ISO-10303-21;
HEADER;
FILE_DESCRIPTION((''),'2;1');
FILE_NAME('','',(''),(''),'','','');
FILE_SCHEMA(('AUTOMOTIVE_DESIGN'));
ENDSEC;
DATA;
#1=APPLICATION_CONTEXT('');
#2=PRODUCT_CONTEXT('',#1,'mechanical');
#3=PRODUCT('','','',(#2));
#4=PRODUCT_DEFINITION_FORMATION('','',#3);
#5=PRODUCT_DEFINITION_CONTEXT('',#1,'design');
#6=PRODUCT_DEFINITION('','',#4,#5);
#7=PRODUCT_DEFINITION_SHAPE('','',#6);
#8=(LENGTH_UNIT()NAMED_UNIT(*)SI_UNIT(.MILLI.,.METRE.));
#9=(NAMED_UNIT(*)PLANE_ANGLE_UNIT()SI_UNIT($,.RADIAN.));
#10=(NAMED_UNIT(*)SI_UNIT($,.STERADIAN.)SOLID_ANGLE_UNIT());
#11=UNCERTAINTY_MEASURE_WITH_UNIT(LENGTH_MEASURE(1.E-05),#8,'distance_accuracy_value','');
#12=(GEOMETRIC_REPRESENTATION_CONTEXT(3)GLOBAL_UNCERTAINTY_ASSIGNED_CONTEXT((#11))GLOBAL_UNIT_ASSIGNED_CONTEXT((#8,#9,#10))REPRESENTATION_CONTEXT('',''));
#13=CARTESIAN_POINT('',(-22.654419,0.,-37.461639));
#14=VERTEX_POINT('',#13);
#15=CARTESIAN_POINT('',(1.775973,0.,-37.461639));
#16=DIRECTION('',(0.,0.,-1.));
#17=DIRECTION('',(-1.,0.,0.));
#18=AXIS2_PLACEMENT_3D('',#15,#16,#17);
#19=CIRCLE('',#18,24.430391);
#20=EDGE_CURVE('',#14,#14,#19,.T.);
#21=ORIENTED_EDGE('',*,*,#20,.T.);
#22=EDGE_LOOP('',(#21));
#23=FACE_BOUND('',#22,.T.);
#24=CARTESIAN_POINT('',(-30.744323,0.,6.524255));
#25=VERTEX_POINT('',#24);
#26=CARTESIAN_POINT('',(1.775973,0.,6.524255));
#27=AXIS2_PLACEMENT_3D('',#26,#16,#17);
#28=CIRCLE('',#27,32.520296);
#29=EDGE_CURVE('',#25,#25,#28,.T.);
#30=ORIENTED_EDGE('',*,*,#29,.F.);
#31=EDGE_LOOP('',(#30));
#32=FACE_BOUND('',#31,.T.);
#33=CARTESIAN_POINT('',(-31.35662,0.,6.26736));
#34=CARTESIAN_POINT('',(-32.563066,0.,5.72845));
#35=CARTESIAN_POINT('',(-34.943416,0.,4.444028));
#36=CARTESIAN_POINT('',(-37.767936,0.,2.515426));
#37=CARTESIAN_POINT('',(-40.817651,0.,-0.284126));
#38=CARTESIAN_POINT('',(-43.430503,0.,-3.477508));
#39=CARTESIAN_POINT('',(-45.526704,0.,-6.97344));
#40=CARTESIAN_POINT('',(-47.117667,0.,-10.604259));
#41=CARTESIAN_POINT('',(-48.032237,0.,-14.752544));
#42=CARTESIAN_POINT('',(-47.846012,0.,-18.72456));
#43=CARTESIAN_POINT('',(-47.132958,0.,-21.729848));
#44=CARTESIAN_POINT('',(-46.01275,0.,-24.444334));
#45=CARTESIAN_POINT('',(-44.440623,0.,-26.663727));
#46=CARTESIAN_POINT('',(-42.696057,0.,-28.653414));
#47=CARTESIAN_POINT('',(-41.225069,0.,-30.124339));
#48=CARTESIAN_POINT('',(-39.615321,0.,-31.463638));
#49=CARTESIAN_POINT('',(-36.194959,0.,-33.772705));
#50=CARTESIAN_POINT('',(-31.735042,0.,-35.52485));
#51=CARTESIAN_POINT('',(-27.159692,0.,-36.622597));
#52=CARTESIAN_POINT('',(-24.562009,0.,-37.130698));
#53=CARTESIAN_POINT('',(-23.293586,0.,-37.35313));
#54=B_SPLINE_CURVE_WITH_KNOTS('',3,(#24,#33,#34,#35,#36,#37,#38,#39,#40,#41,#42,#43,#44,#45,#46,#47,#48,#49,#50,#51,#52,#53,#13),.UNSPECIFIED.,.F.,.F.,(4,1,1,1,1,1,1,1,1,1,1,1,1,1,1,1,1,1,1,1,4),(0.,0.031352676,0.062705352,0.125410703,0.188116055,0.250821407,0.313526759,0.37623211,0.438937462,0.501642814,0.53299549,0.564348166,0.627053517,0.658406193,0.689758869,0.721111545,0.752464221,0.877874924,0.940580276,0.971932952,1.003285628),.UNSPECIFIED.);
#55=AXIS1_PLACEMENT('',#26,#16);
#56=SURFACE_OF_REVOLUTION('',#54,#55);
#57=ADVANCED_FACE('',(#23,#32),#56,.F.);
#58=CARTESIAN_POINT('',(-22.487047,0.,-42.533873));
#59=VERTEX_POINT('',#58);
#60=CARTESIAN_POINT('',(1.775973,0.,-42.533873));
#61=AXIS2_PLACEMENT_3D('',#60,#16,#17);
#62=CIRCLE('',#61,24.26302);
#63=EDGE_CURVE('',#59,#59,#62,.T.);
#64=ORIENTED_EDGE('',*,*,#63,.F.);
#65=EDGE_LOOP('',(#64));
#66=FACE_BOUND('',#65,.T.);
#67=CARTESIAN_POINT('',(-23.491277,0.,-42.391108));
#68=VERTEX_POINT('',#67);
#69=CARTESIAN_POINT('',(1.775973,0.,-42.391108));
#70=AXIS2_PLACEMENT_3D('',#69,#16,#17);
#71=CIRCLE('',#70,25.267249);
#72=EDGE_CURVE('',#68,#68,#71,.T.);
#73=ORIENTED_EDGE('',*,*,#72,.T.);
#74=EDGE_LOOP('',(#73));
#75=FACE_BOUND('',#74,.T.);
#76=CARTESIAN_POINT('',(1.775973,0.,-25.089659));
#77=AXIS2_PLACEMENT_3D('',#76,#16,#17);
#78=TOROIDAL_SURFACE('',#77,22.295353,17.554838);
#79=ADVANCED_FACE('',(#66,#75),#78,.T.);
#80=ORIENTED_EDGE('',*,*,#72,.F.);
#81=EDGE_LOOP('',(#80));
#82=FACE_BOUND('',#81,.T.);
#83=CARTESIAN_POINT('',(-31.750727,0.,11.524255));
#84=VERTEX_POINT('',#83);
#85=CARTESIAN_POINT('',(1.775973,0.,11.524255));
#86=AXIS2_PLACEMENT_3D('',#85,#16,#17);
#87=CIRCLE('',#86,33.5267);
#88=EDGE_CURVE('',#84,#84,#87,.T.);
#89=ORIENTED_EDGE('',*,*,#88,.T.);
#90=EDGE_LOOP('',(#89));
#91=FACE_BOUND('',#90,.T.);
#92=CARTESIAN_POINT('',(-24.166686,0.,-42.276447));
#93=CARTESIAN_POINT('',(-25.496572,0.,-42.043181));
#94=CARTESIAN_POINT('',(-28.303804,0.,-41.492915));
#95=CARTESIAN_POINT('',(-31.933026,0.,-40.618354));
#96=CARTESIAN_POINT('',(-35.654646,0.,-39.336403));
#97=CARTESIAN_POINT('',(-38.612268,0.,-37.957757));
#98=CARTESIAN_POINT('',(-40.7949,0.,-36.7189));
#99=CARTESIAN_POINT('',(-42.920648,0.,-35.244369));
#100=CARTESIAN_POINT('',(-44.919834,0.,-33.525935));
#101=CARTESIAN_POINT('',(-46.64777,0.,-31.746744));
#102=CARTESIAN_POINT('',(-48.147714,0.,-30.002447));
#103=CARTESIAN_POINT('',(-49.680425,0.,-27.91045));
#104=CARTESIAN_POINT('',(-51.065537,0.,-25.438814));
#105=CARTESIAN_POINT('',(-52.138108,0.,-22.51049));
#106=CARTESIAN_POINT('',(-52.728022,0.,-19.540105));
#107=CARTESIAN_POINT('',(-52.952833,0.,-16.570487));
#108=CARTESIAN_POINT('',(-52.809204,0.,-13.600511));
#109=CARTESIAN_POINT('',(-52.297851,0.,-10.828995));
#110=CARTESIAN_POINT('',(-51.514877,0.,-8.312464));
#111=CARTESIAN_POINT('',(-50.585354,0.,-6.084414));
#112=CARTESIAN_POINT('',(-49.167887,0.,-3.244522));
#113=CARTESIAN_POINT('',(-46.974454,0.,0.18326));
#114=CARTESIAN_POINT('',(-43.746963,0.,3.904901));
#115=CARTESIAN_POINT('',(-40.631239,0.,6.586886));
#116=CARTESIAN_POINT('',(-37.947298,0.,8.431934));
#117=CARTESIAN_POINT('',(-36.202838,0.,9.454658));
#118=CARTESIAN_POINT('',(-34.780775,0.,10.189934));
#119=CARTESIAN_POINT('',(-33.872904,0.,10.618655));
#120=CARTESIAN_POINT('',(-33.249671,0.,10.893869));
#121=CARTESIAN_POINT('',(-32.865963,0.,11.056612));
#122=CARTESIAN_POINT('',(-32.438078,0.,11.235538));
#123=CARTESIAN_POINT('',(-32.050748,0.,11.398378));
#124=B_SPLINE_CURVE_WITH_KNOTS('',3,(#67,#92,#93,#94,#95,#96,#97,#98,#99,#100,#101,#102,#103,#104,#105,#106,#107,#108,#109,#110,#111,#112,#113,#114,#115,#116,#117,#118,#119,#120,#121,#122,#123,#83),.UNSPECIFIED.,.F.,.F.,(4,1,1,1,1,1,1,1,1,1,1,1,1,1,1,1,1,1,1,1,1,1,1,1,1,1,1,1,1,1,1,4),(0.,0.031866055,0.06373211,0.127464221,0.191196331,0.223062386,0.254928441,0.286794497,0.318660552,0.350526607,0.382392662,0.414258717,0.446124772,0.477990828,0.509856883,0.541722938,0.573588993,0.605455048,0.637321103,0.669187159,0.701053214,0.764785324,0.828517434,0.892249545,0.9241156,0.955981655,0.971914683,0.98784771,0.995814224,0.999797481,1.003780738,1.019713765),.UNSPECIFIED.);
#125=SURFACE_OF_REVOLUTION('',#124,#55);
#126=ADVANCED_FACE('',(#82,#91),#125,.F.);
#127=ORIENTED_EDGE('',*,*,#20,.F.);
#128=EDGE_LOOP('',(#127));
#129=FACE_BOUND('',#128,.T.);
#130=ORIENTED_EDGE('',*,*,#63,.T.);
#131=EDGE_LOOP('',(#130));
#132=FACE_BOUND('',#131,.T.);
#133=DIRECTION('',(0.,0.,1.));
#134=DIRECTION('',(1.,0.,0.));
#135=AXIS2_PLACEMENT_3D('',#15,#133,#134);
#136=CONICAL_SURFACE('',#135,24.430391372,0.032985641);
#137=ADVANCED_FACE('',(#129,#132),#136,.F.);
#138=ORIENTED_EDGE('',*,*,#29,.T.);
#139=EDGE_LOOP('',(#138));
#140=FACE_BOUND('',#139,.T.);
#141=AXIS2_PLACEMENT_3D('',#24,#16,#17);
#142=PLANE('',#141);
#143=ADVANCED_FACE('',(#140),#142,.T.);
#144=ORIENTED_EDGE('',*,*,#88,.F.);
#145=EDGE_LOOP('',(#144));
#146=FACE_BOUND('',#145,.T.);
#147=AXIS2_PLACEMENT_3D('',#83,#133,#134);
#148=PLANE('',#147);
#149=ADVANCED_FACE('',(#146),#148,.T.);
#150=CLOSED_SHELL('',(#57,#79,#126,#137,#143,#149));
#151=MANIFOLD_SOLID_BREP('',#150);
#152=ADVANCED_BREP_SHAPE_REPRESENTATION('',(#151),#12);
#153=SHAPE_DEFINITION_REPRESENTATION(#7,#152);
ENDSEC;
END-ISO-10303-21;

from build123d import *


with BuildPart() as part:
    # Sketch1 → Revolve1 (revolve)
    with BuildSketch(Plane(origin=(0, 0, 0), x_dir=(1, 0, 0), z_dir=(0, 1, 0))):
        with BuildLine():
            Line((-30.744323303, -6.524254843), (1.775972848, -6.524254843))
            Line((1.775972848, -6.524254843), (1.775972848, -11.524254843))
            Line((1.775972848, -11.524254843), (-31.750727026, -11.524254843))
            add(Edge.make_bspline(
                [(-23.491276538, 42.391108449), (-24.166685522, 42.276446733), (-25.496572315, 42.043181111), (-28.303803676, 41.49291465), (-31.933025512, 40.618354153), (-35.654645554, 39.33640347), (-38.612268311, 37.957757219), (-40.794900393, 36.718900422), (-42.92064777, 35.244368576), (-44.91983386, 33.525935008), (-46.647769795, 31.746744316), (-48.147713752, 30.002446508), (-49.680424918, 27.910450053), (-51.065536918, 25.438814114), (-52.138108372, 22.510490308), (-52.7280217, 19.54010512), (-52.952833493, 16.570486758), (-52.80920372, 13.600510598), (-52.297850634, 10.828994665), (-51.514876958, 8.31246372), (-50.585354355, 6.084413562), (-49.167887177, 3.24452201), (-46.974454441, -0.183259964), (-43.746963036, -3.904900755), (-40.631238994, -6.586886133), (-37.947298053, -8.431934146), (-36.202837821, -9.454657901), (-34.780775393, -10.189934255), (-33.872903735, -10.618654817), (-33.249671023, -10.893869064), (-32.865963207, -11.056612449), (-32.438077799, -11.235538377), (-32.050748071, -11.398378164), (-31.750727026, -11.524254843)],
                knots=[0, 0, 0, 0, 0.031866055, 0.06373211, 0.127464221, 0.191196331, 0.223062386, 0.254928441, 0.286794497, 0.318660552, 0.350526607, 0.382392662, 0.414258717, 0.446124772, 0.477990828, 0.509856883, 0.541722938, 0.573588993, 0.605455048, 0.637321103, 0.669187159, 0.701053214, 0.764785324, 0.828517434, 0.892249545, 0.9241156, 0.955981655, 0.971914683, 0.98784771, 0.995814224, 0.999797481, 1.003780738, 1.019713765, 1.019713765, 1.019713765, 1.019713765], degree=3))
            ThreePointArc((-23.491276538, 42.391108449), (-22.990193071, 42.469745446), (-22.487046921, 42.533873199))
            Line((-22.487046921, 42.533873199), (-22.654418523, 37.461639039))
            add(Edge.make_bspline(
                [(-22.654418523, 37.461639039), (-23.293586457, 37.353129834), (-24.562008978, 37.130698031), (-27.159691982, 36.622597003), (-31.735042085, 35.524850055), (-36.19495858, 33.772704978), (-39.6153206, 31.463637674), (-41.225069166, 30.124338931), (-42.696057225, 28.653414198), (-44.440622687, 26.663727132), (-46.012750087, 24.444333916), (-47.132957506, 21.729847985), (-47.846011724, 18.724560099), (-48.032237042, 14.75254363), (-47.117667394, 10.604259312), (-45.526704043, 6.973440434), (-43.430503068, 3.477508081), (-40.817650905, 0.284125878), (-37.767935946, -2.515426362), (-34.943416372, -4.444027784), (-32.56306645, -5.728449777), (-31.356620217, -6.267359858), (-30.744323303, -6.524254843)],
                knots=[0, 0, 0, 0, 0.031352676, 0.062705352, 0.125410703, 0.250821407, 0.282174083, 0.313526759, 0.344879434, 0.37623211, 0.438937462, 0.470290138, 0.501642814, 0.564348166, 0.627053517, 0.689758869, 0.752464221, 0.815169572, 0.877874924, 0.940580276, 0.971932952, 1.003285628, 1.003285628, 1.003285628, 1.003285628], degree=3))
        make_face()
    revolve(axis=Axis((1.775972848, 0, -37.461639039), (0, 0, 1)))


solid = part.part
